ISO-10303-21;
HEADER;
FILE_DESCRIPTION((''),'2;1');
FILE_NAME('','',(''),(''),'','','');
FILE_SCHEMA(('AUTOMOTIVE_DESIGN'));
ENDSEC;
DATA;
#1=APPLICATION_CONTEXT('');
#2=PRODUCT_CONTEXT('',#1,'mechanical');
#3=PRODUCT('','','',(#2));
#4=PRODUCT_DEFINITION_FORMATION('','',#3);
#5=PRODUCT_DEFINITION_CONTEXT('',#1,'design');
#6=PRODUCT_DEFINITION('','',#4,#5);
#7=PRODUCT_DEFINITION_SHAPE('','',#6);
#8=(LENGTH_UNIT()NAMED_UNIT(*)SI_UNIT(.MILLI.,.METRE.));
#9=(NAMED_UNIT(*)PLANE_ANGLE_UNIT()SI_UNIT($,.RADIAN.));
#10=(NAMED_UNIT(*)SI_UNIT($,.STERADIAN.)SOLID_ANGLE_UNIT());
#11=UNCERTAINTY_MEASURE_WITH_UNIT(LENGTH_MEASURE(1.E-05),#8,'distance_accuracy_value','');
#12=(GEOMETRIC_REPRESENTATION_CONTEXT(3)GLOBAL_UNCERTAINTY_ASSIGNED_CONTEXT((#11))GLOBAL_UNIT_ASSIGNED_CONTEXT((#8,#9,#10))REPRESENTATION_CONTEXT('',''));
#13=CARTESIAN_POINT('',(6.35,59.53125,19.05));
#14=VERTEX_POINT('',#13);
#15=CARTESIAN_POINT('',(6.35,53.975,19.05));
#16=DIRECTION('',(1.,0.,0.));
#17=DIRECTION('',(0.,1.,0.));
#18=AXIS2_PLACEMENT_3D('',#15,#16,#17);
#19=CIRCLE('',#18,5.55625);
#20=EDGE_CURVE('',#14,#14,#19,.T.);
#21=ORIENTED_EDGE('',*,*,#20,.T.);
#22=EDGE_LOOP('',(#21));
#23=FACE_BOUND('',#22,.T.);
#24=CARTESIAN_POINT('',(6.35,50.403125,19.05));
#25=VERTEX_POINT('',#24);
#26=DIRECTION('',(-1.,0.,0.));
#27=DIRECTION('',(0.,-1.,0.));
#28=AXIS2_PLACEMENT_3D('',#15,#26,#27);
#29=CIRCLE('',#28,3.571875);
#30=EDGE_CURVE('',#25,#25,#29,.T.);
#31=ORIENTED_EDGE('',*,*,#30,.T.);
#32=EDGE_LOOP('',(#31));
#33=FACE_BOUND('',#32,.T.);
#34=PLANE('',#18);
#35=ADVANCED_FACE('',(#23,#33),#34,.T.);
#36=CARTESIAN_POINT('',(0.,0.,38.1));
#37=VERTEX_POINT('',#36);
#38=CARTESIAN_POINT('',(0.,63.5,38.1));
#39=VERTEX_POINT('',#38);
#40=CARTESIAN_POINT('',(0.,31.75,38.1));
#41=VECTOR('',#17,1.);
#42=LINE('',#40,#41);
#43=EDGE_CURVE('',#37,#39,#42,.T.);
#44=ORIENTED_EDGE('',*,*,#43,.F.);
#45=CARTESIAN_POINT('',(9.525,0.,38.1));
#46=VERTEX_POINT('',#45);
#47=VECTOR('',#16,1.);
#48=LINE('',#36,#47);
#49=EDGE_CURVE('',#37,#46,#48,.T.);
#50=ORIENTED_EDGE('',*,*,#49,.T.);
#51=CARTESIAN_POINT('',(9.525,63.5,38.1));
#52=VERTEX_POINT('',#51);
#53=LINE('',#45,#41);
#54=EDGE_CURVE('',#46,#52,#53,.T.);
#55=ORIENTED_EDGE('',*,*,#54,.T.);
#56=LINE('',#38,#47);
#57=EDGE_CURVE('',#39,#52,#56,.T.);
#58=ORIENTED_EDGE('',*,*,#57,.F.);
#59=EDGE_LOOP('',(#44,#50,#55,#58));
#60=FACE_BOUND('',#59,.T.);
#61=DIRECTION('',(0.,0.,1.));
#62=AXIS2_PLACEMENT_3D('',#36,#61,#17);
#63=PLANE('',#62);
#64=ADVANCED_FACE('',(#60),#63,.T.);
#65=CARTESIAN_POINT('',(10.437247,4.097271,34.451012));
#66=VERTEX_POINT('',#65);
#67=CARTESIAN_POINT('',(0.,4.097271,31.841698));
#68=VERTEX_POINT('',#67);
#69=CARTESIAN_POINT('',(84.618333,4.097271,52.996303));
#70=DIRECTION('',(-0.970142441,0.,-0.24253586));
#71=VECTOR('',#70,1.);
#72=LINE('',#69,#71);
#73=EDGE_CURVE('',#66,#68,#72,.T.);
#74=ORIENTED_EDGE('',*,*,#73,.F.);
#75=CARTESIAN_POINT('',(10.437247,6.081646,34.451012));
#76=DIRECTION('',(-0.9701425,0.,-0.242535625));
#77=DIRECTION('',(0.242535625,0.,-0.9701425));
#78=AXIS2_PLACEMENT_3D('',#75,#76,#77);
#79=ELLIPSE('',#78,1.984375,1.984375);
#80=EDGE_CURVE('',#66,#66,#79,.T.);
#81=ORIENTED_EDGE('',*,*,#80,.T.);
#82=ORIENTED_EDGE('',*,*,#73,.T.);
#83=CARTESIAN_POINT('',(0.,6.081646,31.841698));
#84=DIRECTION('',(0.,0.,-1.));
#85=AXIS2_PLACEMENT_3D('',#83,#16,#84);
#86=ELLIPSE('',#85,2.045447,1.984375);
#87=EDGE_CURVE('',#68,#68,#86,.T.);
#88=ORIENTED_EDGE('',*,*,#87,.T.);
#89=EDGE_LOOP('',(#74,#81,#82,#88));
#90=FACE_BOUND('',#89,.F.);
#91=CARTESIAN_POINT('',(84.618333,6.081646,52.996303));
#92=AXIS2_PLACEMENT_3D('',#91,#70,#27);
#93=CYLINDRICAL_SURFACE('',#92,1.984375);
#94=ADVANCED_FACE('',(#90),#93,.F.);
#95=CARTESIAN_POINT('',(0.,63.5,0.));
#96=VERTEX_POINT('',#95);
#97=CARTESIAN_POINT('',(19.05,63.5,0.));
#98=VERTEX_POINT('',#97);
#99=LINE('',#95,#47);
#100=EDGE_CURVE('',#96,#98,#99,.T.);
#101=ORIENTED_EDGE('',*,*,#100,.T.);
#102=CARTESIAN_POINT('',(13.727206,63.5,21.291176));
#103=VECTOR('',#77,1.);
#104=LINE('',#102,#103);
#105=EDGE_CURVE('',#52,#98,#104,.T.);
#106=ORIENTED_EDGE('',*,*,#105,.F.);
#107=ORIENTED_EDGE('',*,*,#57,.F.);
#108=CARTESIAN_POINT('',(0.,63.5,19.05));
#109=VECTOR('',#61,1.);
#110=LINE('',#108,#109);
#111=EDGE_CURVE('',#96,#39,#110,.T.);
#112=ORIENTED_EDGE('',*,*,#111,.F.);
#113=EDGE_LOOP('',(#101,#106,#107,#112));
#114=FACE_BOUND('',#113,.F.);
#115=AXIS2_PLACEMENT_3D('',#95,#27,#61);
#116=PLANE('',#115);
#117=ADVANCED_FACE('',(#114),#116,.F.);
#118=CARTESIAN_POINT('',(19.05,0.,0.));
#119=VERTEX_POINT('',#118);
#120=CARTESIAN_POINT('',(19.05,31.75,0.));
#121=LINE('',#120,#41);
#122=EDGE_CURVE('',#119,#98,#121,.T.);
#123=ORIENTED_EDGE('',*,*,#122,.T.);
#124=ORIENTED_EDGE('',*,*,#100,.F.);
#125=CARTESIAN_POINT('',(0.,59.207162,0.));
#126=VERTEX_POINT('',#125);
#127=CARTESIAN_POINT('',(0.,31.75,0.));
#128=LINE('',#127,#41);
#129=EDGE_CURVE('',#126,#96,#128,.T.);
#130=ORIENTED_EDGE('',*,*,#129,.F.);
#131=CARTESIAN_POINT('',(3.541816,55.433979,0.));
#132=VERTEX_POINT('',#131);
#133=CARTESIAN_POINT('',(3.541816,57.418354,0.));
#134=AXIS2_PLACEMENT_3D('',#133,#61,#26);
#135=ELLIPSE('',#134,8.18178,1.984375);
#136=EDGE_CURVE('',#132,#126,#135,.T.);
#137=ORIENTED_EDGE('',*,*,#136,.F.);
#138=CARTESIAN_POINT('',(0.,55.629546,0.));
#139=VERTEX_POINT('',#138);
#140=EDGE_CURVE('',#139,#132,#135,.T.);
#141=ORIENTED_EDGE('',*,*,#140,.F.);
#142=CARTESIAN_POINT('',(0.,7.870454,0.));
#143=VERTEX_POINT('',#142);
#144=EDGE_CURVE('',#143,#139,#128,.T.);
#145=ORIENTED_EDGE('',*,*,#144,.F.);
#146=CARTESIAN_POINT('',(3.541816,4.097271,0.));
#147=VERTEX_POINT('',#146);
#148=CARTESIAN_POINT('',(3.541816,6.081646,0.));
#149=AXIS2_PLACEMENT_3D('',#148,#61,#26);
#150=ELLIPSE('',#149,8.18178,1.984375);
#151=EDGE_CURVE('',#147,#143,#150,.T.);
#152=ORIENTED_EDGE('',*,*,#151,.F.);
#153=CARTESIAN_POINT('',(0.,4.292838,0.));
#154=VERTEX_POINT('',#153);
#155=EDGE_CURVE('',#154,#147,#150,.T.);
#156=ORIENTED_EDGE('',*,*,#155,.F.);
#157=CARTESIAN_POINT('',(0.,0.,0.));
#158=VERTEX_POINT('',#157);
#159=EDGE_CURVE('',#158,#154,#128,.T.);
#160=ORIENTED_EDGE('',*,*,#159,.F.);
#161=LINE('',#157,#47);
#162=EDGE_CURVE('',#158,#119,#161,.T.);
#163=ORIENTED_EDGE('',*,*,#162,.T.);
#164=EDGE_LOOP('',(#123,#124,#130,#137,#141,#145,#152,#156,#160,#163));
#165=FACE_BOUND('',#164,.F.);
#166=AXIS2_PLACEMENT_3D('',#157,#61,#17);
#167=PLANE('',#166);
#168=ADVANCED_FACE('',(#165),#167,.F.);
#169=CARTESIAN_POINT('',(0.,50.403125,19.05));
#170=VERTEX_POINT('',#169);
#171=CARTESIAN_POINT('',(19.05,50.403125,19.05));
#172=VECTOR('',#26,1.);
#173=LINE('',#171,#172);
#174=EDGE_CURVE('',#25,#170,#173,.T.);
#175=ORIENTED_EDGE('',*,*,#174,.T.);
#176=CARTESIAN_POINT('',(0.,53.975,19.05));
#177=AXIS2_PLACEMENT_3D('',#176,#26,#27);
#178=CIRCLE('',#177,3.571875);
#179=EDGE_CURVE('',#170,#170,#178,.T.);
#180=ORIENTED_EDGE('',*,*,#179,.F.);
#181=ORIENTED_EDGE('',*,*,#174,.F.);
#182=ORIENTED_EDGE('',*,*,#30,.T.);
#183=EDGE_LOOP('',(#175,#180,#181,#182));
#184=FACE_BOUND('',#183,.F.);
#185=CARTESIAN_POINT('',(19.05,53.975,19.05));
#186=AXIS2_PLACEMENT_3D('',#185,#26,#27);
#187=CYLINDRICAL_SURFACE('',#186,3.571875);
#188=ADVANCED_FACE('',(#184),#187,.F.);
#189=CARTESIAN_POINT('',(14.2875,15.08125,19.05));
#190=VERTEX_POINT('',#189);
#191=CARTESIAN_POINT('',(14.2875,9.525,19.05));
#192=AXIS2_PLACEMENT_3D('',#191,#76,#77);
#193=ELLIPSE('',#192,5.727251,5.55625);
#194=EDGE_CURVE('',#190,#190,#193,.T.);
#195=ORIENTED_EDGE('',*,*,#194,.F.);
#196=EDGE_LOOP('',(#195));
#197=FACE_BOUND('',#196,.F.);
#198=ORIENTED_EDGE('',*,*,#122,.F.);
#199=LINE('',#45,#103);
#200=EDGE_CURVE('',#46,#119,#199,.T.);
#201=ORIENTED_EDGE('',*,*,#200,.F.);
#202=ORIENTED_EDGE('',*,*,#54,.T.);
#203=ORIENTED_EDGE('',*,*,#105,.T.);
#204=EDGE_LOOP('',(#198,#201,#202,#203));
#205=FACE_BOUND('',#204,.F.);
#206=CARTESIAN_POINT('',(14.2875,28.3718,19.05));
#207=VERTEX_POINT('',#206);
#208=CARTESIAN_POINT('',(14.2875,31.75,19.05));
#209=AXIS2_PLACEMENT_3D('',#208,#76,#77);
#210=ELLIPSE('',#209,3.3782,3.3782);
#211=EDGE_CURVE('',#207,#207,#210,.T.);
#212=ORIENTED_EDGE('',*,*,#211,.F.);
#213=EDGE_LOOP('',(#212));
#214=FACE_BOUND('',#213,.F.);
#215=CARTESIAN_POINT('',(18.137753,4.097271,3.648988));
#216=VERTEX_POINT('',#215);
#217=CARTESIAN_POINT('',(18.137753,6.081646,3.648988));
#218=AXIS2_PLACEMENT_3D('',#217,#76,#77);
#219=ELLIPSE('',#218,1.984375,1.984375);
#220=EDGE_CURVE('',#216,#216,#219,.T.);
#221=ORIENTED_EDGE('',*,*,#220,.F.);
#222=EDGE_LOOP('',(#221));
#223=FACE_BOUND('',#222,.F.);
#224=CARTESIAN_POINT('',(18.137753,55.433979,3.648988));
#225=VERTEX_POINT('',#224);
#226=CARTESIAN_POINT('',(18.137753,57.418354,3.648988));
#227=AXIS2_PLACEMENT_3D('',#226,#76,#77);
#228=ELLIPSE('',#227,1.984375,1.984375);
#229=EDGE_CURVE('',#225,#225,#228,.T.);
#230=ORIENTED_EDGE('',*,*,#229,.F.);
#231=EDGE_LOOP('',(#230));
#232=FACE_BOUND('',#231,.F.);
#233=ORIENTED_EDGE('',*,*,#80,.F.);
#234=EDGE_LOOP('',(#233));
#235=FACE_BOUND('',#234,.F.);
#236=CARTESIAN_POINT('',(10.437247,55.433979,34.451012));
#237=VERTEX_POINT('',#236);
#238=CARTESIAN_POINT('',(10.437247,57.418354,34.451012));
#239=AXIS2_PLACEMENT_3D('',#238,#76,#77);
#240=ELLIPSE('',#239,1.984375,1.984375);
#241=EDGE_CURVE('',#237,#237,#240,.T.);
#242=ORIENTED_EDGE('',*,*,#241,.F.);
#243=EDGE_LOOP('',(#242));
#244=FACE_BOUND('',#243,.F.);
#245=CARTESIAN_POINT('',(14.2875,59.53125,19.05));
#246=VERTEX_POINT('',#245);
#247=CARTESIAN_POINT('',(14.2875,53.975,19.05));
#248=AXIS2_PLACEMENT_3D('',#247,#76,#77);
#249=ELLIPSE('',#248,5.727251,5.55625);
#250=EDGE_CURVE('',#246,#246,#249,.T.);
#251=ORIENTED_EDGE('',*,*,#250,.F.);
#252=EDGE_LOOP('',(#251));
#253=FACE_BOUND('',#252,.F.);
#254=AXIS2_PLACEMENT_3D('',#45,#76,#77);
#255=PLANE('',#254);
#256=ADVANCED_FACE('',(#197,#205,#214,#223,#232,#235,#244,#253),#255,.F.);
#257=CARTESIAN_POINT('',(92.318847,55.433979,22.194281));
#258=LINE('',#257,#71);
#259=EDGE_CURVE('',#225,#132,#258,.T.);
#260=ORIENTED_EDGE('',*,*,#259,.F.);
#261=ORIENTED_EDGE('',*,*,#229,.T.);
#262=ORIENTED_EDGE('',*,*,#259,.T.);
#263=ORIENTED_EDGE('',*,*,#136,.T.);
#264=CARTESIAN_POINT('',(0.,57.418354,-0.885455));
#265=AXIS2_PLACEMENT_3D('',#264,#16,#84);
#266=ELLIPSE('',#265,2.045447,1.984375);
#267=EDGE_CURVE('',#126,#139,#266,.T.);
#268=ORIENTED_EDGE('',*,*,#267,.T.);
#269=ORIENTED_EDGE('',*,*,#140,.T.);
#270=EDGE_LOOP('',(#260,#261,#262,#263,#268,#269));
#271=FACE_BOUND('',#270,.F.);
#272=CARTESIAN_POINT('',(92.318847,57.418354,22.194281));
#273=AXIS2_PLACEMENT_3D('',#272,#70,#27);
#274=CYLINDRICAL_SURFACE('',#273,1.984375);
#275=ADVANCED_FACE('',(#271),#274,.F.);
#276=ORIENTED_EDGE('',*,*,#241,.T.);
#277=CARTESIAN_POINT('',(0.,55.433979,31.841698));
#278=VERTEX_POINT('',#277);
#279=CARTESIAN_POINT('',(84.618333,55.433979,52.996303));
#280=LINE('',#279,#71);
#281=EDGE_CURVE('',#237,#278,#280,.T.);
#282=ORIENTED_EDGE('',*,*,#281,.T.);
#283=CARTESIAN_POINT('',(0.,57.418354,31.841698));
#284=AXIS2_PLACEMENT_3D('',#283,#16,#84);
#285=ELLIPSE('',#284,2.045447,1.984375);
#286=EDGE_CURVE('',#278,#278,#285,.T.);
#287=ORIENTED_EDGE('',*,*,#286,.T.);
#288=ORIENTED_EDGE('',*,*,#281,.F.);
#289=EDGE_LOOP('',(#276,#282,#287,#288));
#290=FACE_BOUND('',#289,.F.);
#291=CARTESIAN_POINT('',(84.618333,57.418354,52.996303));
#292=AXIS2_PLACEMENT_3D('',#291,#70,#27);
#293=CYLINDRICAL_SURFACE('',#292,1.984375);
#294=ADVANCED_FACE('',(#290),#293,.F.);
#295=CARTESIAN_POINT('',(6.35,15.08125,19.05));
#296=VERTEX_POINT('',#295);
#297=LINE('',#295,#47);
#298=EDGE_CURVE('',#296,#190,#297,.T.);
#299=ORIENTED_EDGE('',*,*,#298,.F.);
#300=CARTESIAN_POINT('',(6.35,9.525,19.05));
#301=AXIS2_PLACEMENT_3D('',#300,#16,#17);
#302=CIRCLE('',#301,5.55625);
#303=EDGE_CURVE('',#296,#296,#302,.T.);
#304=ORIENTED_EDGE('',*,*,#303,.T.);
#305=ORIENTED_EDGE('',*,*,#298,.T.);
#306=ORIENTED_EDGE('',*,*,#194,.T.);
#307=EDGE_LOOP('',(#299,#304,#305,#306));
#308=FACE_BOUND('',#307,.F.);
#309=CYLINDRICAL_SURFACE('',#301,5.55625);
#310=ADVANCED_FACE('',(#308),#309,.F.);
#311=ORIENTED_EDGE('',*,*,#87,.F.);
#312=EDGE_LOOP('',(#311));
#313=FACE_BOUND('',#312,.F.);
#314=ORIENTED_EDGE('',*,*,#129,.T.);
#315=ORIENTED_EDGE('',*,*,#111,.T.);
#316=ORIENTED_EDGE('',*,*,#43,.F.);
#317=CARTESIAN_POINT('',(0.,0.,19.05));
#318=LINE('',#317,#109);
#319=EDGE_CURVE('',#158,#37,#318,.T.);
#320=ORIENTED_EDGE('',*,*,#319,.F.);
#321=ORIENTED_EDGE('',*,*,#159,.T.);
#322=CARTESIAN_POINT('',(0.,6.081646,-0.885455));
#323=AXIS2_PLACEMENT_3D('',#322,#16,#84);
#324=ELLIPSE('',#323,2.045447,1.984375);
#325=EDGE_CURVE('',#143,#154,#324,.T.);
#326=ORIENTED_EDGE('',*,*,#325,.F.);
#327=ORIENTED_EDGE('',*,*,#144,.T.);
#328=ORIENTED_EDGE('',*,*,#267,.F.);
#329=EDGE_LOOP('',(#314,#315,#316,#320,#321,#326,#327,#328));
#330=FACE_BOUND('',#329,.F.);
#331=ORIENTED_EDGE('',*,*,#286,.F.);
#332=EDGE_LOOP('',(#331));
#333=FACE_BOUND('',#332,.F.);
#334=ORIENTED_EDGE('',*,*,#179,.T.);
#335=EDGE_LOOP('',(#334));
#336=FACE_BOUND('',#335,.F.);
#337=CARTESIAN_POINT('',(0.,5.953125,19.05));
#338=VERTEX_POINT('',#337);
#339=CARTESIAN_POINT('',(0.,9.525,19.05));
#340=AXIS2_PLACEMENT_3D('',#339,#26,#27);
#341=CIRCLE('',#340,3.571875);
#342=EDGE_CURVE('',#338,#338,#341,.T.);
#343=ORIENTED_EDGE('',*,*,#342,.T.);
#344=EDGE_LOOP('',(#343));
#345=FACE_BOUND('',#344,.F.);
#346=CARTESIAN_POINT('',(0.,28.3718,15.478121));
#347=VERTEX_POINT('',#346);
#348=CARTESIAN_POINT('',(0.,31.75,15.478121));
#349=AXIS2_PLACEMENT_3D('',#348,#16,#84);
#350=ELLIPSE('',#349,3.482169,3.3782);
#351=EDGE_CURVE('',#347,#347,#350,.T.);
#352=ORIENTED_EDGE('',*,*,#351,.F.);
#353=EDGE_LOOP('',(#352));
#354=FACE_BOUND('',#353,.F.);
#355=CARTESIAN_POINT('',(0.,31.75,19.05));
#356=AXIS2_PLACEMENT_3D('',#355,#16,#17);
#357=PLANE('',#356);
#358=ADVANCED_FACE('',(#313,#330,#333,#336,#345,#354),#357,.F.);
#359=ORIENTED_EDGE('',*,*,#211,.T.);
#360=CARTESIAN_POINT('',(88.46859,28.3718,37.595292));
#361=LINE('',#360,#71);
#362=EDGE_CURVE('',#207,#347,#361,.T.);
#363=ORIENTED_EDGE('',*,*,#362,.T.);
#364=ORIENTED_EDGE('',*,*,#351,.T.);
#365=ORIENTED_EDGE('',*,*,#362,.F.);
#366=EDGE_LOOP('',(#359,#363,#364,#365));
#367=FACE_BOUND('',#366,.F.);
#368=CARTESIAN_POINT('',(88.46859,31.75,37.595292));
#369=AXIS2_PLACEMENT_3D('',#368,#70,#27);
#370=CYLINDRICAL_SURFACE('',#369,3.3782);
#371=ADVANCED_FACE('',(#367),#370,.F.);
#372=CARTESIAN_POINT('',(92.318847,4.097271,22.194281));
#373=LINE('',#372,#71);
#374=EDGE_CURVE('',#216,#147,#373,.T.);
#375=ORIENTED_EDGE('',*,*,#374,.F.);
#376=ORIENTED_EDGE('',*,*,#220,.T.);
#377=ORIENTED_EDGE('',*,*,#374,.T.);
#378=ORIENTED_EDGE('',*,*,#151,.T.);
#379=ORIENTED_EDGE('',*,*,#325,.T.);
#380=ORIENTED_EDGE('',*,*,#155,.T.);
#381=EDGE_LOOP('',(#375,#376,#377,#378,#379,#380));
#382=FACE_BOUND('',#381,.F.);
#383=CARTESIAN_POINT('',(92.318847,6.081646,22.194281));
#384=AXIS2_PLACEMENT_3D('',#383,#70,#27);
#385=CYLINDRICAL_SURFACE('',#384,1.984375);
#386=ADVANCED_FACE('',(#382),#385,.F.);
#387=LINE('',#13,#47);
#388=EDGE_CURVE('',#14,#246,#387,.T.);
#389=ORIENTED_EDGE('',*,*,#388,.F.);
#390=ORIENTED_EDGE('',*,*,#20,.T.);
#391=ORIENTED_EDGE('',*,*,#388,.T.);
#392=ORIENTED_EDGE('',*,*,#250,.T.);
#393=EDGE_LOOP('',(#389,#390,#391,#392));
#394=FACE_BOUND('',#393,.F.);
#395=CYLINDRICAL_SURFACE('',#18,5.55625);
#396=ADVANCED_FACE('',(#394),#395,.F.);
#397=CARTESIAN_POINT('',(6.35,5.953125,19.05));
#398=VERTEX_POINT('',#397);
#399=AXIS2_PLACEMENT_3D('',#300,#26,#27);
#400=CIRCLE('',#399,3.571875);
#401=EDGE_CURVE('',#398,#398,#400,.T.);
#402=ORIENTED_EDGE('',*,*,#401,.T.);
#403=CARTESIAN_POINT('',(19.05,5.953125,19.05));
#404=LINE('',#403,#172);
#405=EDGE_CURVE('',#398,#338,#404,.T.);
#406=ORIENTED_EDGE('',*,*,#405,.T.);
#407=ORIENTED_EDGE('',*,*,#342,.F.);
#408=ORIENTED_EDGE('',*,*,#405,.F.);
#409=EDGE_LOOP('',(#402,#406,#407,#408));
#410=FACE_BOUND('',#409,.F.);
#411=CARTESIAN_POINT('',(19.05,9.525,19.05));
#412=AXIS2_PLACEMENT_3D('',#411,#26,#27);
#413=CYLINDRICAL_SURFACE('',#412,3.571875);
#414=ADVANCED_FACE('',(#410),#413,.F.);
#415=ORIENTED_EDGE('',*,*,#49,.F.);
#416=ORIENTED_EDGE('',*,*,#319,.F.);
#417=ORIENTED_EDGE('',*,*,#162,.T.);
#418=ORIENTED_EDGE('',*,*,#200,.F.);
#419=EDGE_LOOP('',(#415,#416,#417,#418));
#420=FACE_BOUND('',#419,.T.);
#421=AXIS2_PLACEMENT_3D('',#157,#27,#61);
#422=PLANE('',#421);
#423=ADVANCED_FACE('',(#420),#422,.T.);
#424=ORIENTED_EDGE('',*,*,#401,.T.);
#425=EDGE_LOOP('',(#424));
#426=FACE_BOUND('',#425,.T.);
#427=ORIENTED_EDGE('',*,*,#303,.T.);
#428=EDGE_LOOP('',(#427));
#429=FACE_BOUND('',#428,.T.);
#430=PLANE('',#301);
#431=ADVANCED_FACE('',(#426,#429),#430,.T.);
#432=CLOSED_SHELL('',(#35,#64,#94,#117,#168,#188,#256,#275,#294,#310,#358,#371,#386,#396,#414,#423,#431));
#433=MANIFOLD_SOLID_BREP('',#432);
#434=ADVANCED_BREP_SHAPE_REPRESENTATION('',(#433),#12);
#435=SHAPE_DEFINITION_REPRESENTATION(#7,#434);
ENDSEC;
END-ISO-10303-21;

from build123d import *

# Parameters (mm, degrees)
F0_W           = 63.5
F0_H           = 38.1
F1_DEPTH       = 19.05
F3_D           = 7.14375
F3_CBORE_D     = 11.1125
F3_CBORE_DEPTH = 12.7
F5_DEPTH       = 63.501
F7_D           = 6.7564
F9_D           = 3.96875


with BuildPart() as f1:
    # F0 (on Right) → F1 (new body)
    with BuildSketch(Plane.YZ):
        with Locations((31.75, 19.05)):
            Rectangle(F0_W, F0_H)
    extrude(amount=F1_DEPTH)

    # F3 (through all)
    with Locations(Plane.YZ.offset(19.05)):
        with Locations((9.525, 19.05), (53.975, 19.05)):
            CounterBoreHole(F3_D / 2, F3_CBORE_D / 2, F3_CBORE_DEPTH)

    # F4 (on face) → F5 (cut, through all)
    with BuildSketch(Plane.XZ):
        Polygon((19.05, 38.1), (9.525, 38.1), (19.05, 0), align=None)
    extrude(amount=-F5_DEPTH, mode=Mode.SUBTRACT)

    # F7 (through all)
    with Locations(Plane(origin=(17.929412, 0, 4.482353), x_dir=(0, 1, 0), z_dir=(0.970143, 0, 0.242536))):
        with Locations((31.75, 15.015987)):
            Hole(F7_D / 2)

    # F9 (through all)
    with Locations(Plane(origin=(17.929412, 0, 4.482353), x_dir=(0, 1, 0), z_dir=(0.970143, 0, 0.242536))):
        with Locations((6.081646, 30.890987), (57.418354, 30.890987), (57.418354, -0.859013), (6.081646, -0.859013)):
            Hole(F9_D / 2)


solid = f1.part
